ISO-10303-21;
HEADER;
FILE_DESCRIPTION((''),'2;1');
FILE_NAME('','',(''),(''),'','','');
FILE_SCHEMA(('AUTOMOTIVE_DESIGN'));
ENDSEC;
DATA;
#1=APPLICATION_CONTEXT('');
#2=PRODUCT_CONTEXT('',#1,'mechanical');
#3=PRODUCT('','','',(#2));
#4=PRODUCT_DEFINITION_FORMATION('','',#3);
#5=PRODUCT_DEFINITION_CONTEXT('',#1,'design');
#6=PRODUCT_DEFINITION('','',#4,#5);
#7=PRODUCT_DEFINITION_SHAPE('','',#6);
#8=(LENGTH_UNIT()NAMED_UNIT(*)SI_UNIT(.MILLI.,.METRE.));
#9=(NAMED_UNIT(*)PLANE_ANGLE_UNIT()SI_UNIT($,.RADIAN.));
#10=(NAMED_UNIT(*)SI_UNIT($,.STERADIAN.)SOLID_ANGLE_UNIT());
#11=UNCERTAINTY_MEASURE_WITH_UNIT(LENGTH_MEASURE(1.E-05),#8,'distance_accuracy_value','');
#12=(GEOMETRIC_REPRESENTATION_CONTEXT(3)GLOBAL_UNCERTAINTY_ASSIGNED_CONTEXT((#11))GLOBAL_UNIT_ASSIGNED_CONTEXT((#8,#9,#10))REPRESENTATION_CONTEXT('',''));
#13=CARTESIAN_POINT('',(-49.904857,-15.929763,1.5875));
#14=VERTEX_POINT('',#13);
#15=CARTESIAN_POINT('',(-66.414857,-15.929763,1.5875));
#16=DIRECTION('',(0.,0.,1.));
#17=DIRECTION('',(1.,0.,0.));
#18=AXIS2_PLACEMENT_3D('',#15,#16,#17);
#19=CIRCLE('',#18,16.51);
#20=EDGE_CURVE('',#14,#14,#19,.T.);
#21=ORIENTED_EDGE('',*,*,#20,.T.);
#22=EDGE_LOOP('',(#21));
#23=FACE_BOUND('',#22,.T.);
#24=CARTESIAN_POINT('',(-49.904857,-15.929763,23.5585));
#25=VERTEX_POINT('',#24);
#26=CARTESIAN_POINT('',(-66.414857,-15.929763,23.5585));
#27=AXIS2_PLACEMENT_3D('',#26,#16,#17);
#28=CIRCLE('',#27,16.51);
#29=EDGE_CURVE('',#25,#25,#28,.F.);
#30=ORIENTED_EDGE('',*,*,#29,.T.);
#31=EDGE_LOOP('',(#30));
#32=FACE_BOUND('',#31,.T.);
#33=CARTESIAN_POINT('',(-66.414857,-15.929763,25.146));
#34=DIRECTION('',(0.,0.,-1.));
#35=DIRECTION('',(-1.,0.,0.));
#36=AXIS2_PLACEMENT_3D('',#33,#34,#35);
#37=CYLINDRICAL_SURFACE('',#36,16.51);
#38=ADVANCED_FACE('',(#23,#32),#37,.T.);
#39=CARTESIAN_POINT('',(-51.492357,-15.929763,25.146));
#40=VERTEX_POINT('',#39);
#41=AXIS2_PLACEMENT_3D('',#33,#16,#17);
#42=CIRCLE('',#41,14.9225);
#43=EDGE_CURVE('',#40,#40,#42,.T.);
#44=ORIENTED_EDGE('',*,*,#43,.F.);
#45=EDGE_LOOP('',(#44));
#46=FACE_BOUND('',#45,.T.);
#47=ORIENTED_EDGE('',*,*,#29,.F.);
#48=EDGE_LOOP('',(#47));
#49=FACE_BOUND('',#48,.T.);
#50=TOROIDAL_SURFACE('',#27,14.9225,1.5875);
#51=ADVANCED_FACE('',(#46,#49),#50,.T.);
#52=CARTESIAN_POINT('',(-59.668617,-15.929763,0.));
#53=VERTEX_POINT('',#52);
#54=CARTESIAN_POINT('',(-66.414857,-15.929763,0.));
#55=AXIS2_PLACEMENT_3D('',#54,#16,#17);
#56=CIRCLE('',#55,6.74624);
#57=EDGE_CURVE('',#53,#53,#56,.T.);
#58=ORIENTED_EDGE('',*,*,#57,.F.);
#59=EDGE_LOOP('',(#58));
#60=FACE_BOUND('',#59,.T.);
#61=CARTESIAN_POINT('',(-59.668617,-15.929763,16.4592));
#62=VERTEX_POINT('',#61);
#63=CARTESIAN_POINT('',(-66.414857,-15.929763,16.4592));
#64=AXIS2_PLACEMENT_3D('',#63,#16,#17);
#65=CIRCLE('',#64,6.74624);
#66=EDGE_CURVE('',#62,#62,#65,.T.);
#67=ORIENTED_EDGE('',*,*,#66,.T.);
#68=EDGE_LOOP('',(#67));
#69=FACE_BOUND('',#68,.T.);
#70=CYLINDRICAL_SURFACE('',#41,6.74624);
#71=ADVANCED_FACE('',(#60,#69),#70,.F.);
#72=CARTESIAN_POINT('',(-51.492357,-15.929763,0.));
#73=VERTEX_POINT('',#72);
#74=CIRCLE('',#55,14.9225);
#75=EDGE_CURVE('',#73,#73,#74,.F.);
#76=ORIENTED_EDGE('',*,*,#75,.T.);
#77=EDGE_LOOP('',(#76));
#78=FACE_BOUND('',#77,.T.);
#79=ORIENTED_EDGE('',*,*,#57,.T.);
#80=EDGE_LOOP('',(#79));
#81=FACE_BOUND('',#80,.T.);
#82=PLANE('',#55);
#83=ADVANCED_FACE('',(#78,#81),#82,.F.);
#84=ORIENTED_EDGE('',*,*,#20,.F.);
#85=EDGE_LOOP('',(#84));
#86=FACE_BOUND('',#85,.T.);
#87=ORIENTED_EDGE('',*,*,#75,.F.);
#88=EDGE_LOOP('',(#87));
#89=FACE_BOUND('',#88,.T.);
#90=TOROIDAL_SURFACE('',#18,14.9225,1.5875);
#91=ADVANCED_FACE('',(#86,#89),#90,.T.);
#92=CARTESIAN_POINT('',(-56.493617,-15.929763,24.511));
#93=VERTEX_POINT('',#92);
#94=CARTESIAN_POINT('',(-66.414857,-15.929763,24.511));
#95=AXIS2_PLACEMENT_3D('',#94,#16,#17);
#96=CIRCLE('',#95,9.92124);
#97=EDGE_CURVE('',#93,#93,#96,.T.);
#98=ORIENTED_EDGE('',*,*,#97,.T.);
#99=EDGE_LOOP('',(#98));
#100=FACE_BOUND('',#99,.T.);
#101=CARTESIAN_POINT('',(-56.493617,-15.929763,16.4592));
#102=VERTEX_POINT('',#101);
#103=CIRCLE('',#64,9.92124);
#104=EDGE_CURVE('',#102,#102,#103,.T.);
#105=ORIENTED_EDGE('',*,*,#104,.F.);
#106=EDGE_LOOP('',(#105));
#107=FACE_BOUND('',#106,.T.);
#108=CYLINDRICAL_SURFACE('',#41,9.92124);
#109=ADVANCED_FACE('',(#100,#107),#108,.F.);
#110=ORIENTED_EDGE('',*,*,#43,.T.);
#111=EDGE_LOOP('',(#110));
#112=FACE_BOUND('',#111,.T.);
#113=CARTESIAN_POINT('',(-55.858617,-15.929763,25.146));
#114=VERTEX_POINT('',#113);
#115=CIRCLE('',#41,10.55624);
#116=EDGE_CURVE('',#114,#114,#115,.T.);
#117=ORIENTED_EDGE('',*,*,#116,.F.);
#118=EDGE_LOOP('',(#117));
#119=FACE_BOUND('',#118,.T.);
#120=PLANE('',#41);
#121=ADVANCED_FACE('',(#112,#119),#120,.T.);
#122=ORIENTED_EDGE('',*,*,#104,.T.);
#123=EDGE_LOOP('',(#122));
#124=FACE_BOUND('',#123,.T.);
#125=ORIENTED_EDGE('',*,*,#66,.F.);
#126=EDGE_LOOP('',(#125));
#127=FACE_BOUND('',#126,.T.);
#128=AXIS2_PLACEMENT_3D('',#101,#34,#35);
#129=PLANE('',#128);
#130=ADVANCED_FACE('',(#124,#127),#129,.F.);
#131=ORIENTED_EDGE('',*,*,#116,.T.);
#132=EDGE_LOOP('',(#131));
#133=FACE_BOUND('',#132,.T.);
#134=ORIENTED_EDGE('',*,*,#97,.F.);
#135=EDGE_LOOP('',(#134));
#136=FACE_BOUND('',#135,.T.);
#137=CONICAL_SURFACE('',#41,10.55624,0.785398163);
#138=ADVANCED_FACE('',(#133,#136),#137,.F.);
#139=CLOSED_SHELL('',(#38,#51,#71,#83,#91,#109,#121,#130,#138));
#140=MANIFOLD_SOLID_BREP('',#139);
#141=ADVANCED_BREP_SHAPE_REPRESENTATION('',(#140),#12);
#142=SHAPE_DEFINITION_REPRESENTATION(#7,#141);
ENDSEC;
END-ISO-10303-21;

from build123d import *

# Parameters (mm, degrees)
SKETCH1_R           = 16.51
SKETCH1_R_2         = 4.7625
BOSS_EXTRUDE1_DEPTH = 25.146
FILLET2_R           = 1.5875


with BuildPart() as part:
    # Sketch1 → Boss-Extrude1 (new body)
    with BuildSketch(Plane.XY):
        with Locations((-66.414856712, -15.92976268)):
            Circle(SKETCH1_R)
        with Locations((-66.414856712, -15.92976268)):
            Circle(SKETCH1_R_2, mode=Mode.SUBTRACT)
    extrude(amount=BOSS_EXTRUDE1_DEPTH)

    # Fillet2
    fillet2_edges = [part.edges().sort_by_distance(p)[0] for p in [
        (-82.924856712, -15.92976268, 0),
        (-82.924856712, -15.92976268, 25.146),
    ]]
    fillet(fillet2_edges, radius=FILLET2_R)

    # Sketch4 → CBORE for 1/2 Socket Shoulder Screw1 (revolve, cut)
    with BuildSketch(Plane(origin=(-66.414856712, -15.92976268, 25.146), x_dir=(0, -1, 0), z_dir=(1, 0, 0))):
        Polygon((0, 0), (0, 25.146), (6.74624, 25.146), (6.74624, 8.6868), (9.92124, 8.6868), (9.92124, 0.635), (10.55624, 0), align=None)
    revolve(axis=Axis((-66.414856712, -15.92976268, 31.496), (0, 0, -1)), mode=Mode.SUBTRACT)


solid = part.part
